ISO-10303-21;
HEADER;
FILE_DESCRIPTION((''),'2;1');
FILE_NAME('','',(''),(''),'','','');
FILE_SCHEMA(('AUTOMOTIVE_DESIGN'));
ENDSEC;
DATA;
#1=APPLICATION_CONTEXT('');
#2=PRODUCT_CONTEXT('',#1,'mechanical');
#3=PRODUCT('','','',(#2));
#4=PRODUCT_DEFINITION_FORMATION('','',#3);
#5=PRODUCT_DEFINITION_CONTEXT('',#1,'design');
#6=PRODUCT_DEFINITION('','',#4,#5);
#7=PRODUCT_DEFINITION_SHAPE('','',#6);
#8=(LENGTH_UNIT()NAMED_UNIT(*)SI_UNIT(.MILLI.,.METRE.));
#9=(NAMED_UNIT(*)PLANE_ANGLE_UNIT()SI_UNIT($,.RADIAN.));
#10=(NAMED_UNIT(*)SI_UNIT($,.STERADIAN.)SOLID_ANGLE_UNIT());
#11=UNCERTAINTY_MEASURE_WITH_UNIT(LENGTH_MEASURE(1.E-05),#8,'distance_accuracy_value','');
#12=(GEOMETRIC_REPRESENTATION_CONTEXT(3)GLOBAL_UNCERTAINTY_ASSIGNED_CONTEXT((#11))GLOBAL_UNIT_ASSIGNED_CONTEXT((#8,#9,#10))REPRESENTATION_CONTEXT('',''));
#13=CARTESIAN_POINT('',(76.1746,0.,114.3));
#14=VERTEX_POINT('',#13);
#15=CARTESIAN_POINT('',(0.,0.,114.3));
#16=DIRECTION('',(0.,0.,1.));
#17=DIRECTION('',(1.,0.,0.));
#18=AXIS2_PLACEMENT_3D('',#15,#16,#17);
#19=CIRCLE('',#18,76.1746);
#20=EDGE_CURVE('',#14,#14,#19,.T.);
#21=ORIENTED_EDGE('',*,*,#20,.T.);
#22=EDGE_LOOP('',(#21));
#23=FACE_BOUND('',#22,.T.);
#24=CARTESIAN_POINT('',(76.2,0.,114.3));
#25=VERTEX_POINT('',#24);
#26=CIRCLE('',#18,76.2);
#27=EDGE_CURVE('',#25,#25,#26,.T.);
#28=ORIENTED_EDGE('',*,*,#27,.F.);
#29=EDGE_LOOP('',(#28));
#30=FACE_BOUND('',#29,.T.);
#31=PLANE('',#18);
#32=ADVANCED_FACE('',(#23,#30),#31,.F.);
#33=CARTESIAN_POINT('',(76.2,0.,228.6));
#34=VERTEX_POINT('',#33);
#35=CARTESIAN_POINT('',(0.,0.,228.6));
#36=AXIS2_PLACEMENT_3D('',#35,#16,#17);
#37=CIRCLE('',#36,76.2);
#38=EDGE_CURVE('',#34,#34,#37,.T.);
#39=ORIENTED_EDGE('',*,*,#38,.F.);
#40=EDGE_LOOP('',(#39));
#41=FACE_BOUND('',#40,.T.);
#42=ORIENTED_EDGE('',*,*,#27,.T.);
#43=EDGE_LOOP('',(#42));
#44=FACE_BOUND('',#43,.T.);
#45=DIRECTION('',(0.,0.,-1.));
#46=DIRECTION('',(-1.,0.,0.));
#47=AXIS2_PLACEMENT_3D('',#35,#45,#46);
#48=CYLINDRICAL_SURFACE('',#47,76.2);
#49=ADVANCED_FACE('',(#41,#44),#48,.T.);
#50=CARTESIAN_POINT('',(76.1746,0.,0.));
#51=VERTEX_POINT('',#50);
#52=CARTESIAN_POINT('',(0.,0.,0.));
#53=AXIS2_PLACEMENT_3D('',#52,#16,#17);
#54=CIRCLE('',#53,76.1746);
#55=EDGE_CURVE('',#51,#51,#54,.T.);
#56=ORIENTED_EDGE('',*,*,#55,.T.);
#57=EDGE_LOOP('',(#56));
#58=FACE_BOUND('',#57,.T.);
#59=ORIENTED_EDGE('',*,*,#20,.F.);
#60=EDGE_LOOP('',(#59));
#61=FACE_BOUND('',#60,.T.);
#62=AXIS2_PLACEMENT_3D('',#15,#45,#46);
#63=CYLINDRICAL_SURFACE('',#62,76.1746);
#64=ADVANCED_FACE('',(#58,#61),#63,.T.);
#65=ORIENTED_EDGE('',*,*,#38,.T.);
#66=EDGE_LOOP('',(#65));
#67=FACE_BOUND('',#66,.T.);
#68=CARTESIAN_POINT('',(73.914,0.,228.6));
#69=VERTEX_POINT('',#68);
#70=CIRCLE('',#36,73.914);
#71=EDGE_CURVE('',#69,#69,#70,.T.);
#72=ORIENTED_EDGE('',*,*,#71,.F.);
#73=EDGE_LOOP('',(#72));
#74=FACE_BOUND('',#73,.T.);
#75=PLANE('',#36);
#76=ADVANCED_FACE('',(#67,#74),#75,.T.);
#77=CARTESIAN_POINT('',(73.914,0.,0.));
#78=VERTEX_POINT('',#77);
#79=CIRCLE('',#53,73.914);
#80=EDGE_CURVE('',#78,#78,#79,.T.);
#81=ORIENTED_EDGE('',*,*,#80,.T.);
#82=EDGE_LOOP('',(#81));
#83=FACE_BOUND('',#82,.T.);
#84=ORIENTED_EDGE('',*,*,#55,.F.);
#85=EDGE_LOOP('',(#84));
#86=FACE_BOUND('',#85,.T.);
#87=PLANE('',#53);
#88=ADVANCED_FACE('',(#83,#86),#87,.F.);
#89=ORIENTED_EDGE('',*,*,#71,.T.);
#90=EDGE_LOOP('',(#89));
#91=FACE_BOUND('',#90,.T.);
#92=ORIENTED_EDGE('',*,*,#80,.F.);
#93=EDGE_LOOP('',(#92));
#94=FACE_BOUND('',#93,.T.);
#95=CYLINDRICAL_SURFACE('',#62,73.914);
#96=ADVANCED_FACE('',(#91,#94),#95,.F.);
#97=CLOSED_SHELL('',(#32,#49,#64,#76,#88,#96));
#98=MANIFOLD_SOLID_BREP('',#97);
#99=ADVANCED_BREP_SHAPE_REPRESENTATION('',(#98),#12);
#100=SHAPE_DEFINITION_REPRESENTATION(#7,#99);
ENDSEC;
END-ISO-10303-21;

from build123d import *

# Parameters (mm, degrees)
ESQUISSE2_R        = 76.1746
ESQUISSE2_R_2      = 73.914
BOSS_EXTRU_1_DEPTH = 114.3
ESQUISSE3_R        = 76.2
ESQUISSE3_R_2      = 73.914
BOSS_EXTRU_2_DEPTH = 114.3


with BuildPart() as part:
    # Esquisse2 → Boss.-Extru.1 (new body)
    with BuildSketch(Plane.XY):
        Circle(ESQUISSE2_R)
        Circle(ESQUISSE2_R_2, mode=Mode.SUBTRACT)
    extrude(amount=BOSS_EXTRU_1_DEPTH)

    # Esquisse3 → Boss.-Extru.2 (add)
    with BuildSketch(Plane.XY.offset(114.3)):
        Circle(ESQUISSE3_R)
        Circle(ESQUISSE3_R_2, mode=Mode.SUBTRACT)
    extrude(amount=BOSS_EXTRU_2_DEPTH)


solid = part.part
